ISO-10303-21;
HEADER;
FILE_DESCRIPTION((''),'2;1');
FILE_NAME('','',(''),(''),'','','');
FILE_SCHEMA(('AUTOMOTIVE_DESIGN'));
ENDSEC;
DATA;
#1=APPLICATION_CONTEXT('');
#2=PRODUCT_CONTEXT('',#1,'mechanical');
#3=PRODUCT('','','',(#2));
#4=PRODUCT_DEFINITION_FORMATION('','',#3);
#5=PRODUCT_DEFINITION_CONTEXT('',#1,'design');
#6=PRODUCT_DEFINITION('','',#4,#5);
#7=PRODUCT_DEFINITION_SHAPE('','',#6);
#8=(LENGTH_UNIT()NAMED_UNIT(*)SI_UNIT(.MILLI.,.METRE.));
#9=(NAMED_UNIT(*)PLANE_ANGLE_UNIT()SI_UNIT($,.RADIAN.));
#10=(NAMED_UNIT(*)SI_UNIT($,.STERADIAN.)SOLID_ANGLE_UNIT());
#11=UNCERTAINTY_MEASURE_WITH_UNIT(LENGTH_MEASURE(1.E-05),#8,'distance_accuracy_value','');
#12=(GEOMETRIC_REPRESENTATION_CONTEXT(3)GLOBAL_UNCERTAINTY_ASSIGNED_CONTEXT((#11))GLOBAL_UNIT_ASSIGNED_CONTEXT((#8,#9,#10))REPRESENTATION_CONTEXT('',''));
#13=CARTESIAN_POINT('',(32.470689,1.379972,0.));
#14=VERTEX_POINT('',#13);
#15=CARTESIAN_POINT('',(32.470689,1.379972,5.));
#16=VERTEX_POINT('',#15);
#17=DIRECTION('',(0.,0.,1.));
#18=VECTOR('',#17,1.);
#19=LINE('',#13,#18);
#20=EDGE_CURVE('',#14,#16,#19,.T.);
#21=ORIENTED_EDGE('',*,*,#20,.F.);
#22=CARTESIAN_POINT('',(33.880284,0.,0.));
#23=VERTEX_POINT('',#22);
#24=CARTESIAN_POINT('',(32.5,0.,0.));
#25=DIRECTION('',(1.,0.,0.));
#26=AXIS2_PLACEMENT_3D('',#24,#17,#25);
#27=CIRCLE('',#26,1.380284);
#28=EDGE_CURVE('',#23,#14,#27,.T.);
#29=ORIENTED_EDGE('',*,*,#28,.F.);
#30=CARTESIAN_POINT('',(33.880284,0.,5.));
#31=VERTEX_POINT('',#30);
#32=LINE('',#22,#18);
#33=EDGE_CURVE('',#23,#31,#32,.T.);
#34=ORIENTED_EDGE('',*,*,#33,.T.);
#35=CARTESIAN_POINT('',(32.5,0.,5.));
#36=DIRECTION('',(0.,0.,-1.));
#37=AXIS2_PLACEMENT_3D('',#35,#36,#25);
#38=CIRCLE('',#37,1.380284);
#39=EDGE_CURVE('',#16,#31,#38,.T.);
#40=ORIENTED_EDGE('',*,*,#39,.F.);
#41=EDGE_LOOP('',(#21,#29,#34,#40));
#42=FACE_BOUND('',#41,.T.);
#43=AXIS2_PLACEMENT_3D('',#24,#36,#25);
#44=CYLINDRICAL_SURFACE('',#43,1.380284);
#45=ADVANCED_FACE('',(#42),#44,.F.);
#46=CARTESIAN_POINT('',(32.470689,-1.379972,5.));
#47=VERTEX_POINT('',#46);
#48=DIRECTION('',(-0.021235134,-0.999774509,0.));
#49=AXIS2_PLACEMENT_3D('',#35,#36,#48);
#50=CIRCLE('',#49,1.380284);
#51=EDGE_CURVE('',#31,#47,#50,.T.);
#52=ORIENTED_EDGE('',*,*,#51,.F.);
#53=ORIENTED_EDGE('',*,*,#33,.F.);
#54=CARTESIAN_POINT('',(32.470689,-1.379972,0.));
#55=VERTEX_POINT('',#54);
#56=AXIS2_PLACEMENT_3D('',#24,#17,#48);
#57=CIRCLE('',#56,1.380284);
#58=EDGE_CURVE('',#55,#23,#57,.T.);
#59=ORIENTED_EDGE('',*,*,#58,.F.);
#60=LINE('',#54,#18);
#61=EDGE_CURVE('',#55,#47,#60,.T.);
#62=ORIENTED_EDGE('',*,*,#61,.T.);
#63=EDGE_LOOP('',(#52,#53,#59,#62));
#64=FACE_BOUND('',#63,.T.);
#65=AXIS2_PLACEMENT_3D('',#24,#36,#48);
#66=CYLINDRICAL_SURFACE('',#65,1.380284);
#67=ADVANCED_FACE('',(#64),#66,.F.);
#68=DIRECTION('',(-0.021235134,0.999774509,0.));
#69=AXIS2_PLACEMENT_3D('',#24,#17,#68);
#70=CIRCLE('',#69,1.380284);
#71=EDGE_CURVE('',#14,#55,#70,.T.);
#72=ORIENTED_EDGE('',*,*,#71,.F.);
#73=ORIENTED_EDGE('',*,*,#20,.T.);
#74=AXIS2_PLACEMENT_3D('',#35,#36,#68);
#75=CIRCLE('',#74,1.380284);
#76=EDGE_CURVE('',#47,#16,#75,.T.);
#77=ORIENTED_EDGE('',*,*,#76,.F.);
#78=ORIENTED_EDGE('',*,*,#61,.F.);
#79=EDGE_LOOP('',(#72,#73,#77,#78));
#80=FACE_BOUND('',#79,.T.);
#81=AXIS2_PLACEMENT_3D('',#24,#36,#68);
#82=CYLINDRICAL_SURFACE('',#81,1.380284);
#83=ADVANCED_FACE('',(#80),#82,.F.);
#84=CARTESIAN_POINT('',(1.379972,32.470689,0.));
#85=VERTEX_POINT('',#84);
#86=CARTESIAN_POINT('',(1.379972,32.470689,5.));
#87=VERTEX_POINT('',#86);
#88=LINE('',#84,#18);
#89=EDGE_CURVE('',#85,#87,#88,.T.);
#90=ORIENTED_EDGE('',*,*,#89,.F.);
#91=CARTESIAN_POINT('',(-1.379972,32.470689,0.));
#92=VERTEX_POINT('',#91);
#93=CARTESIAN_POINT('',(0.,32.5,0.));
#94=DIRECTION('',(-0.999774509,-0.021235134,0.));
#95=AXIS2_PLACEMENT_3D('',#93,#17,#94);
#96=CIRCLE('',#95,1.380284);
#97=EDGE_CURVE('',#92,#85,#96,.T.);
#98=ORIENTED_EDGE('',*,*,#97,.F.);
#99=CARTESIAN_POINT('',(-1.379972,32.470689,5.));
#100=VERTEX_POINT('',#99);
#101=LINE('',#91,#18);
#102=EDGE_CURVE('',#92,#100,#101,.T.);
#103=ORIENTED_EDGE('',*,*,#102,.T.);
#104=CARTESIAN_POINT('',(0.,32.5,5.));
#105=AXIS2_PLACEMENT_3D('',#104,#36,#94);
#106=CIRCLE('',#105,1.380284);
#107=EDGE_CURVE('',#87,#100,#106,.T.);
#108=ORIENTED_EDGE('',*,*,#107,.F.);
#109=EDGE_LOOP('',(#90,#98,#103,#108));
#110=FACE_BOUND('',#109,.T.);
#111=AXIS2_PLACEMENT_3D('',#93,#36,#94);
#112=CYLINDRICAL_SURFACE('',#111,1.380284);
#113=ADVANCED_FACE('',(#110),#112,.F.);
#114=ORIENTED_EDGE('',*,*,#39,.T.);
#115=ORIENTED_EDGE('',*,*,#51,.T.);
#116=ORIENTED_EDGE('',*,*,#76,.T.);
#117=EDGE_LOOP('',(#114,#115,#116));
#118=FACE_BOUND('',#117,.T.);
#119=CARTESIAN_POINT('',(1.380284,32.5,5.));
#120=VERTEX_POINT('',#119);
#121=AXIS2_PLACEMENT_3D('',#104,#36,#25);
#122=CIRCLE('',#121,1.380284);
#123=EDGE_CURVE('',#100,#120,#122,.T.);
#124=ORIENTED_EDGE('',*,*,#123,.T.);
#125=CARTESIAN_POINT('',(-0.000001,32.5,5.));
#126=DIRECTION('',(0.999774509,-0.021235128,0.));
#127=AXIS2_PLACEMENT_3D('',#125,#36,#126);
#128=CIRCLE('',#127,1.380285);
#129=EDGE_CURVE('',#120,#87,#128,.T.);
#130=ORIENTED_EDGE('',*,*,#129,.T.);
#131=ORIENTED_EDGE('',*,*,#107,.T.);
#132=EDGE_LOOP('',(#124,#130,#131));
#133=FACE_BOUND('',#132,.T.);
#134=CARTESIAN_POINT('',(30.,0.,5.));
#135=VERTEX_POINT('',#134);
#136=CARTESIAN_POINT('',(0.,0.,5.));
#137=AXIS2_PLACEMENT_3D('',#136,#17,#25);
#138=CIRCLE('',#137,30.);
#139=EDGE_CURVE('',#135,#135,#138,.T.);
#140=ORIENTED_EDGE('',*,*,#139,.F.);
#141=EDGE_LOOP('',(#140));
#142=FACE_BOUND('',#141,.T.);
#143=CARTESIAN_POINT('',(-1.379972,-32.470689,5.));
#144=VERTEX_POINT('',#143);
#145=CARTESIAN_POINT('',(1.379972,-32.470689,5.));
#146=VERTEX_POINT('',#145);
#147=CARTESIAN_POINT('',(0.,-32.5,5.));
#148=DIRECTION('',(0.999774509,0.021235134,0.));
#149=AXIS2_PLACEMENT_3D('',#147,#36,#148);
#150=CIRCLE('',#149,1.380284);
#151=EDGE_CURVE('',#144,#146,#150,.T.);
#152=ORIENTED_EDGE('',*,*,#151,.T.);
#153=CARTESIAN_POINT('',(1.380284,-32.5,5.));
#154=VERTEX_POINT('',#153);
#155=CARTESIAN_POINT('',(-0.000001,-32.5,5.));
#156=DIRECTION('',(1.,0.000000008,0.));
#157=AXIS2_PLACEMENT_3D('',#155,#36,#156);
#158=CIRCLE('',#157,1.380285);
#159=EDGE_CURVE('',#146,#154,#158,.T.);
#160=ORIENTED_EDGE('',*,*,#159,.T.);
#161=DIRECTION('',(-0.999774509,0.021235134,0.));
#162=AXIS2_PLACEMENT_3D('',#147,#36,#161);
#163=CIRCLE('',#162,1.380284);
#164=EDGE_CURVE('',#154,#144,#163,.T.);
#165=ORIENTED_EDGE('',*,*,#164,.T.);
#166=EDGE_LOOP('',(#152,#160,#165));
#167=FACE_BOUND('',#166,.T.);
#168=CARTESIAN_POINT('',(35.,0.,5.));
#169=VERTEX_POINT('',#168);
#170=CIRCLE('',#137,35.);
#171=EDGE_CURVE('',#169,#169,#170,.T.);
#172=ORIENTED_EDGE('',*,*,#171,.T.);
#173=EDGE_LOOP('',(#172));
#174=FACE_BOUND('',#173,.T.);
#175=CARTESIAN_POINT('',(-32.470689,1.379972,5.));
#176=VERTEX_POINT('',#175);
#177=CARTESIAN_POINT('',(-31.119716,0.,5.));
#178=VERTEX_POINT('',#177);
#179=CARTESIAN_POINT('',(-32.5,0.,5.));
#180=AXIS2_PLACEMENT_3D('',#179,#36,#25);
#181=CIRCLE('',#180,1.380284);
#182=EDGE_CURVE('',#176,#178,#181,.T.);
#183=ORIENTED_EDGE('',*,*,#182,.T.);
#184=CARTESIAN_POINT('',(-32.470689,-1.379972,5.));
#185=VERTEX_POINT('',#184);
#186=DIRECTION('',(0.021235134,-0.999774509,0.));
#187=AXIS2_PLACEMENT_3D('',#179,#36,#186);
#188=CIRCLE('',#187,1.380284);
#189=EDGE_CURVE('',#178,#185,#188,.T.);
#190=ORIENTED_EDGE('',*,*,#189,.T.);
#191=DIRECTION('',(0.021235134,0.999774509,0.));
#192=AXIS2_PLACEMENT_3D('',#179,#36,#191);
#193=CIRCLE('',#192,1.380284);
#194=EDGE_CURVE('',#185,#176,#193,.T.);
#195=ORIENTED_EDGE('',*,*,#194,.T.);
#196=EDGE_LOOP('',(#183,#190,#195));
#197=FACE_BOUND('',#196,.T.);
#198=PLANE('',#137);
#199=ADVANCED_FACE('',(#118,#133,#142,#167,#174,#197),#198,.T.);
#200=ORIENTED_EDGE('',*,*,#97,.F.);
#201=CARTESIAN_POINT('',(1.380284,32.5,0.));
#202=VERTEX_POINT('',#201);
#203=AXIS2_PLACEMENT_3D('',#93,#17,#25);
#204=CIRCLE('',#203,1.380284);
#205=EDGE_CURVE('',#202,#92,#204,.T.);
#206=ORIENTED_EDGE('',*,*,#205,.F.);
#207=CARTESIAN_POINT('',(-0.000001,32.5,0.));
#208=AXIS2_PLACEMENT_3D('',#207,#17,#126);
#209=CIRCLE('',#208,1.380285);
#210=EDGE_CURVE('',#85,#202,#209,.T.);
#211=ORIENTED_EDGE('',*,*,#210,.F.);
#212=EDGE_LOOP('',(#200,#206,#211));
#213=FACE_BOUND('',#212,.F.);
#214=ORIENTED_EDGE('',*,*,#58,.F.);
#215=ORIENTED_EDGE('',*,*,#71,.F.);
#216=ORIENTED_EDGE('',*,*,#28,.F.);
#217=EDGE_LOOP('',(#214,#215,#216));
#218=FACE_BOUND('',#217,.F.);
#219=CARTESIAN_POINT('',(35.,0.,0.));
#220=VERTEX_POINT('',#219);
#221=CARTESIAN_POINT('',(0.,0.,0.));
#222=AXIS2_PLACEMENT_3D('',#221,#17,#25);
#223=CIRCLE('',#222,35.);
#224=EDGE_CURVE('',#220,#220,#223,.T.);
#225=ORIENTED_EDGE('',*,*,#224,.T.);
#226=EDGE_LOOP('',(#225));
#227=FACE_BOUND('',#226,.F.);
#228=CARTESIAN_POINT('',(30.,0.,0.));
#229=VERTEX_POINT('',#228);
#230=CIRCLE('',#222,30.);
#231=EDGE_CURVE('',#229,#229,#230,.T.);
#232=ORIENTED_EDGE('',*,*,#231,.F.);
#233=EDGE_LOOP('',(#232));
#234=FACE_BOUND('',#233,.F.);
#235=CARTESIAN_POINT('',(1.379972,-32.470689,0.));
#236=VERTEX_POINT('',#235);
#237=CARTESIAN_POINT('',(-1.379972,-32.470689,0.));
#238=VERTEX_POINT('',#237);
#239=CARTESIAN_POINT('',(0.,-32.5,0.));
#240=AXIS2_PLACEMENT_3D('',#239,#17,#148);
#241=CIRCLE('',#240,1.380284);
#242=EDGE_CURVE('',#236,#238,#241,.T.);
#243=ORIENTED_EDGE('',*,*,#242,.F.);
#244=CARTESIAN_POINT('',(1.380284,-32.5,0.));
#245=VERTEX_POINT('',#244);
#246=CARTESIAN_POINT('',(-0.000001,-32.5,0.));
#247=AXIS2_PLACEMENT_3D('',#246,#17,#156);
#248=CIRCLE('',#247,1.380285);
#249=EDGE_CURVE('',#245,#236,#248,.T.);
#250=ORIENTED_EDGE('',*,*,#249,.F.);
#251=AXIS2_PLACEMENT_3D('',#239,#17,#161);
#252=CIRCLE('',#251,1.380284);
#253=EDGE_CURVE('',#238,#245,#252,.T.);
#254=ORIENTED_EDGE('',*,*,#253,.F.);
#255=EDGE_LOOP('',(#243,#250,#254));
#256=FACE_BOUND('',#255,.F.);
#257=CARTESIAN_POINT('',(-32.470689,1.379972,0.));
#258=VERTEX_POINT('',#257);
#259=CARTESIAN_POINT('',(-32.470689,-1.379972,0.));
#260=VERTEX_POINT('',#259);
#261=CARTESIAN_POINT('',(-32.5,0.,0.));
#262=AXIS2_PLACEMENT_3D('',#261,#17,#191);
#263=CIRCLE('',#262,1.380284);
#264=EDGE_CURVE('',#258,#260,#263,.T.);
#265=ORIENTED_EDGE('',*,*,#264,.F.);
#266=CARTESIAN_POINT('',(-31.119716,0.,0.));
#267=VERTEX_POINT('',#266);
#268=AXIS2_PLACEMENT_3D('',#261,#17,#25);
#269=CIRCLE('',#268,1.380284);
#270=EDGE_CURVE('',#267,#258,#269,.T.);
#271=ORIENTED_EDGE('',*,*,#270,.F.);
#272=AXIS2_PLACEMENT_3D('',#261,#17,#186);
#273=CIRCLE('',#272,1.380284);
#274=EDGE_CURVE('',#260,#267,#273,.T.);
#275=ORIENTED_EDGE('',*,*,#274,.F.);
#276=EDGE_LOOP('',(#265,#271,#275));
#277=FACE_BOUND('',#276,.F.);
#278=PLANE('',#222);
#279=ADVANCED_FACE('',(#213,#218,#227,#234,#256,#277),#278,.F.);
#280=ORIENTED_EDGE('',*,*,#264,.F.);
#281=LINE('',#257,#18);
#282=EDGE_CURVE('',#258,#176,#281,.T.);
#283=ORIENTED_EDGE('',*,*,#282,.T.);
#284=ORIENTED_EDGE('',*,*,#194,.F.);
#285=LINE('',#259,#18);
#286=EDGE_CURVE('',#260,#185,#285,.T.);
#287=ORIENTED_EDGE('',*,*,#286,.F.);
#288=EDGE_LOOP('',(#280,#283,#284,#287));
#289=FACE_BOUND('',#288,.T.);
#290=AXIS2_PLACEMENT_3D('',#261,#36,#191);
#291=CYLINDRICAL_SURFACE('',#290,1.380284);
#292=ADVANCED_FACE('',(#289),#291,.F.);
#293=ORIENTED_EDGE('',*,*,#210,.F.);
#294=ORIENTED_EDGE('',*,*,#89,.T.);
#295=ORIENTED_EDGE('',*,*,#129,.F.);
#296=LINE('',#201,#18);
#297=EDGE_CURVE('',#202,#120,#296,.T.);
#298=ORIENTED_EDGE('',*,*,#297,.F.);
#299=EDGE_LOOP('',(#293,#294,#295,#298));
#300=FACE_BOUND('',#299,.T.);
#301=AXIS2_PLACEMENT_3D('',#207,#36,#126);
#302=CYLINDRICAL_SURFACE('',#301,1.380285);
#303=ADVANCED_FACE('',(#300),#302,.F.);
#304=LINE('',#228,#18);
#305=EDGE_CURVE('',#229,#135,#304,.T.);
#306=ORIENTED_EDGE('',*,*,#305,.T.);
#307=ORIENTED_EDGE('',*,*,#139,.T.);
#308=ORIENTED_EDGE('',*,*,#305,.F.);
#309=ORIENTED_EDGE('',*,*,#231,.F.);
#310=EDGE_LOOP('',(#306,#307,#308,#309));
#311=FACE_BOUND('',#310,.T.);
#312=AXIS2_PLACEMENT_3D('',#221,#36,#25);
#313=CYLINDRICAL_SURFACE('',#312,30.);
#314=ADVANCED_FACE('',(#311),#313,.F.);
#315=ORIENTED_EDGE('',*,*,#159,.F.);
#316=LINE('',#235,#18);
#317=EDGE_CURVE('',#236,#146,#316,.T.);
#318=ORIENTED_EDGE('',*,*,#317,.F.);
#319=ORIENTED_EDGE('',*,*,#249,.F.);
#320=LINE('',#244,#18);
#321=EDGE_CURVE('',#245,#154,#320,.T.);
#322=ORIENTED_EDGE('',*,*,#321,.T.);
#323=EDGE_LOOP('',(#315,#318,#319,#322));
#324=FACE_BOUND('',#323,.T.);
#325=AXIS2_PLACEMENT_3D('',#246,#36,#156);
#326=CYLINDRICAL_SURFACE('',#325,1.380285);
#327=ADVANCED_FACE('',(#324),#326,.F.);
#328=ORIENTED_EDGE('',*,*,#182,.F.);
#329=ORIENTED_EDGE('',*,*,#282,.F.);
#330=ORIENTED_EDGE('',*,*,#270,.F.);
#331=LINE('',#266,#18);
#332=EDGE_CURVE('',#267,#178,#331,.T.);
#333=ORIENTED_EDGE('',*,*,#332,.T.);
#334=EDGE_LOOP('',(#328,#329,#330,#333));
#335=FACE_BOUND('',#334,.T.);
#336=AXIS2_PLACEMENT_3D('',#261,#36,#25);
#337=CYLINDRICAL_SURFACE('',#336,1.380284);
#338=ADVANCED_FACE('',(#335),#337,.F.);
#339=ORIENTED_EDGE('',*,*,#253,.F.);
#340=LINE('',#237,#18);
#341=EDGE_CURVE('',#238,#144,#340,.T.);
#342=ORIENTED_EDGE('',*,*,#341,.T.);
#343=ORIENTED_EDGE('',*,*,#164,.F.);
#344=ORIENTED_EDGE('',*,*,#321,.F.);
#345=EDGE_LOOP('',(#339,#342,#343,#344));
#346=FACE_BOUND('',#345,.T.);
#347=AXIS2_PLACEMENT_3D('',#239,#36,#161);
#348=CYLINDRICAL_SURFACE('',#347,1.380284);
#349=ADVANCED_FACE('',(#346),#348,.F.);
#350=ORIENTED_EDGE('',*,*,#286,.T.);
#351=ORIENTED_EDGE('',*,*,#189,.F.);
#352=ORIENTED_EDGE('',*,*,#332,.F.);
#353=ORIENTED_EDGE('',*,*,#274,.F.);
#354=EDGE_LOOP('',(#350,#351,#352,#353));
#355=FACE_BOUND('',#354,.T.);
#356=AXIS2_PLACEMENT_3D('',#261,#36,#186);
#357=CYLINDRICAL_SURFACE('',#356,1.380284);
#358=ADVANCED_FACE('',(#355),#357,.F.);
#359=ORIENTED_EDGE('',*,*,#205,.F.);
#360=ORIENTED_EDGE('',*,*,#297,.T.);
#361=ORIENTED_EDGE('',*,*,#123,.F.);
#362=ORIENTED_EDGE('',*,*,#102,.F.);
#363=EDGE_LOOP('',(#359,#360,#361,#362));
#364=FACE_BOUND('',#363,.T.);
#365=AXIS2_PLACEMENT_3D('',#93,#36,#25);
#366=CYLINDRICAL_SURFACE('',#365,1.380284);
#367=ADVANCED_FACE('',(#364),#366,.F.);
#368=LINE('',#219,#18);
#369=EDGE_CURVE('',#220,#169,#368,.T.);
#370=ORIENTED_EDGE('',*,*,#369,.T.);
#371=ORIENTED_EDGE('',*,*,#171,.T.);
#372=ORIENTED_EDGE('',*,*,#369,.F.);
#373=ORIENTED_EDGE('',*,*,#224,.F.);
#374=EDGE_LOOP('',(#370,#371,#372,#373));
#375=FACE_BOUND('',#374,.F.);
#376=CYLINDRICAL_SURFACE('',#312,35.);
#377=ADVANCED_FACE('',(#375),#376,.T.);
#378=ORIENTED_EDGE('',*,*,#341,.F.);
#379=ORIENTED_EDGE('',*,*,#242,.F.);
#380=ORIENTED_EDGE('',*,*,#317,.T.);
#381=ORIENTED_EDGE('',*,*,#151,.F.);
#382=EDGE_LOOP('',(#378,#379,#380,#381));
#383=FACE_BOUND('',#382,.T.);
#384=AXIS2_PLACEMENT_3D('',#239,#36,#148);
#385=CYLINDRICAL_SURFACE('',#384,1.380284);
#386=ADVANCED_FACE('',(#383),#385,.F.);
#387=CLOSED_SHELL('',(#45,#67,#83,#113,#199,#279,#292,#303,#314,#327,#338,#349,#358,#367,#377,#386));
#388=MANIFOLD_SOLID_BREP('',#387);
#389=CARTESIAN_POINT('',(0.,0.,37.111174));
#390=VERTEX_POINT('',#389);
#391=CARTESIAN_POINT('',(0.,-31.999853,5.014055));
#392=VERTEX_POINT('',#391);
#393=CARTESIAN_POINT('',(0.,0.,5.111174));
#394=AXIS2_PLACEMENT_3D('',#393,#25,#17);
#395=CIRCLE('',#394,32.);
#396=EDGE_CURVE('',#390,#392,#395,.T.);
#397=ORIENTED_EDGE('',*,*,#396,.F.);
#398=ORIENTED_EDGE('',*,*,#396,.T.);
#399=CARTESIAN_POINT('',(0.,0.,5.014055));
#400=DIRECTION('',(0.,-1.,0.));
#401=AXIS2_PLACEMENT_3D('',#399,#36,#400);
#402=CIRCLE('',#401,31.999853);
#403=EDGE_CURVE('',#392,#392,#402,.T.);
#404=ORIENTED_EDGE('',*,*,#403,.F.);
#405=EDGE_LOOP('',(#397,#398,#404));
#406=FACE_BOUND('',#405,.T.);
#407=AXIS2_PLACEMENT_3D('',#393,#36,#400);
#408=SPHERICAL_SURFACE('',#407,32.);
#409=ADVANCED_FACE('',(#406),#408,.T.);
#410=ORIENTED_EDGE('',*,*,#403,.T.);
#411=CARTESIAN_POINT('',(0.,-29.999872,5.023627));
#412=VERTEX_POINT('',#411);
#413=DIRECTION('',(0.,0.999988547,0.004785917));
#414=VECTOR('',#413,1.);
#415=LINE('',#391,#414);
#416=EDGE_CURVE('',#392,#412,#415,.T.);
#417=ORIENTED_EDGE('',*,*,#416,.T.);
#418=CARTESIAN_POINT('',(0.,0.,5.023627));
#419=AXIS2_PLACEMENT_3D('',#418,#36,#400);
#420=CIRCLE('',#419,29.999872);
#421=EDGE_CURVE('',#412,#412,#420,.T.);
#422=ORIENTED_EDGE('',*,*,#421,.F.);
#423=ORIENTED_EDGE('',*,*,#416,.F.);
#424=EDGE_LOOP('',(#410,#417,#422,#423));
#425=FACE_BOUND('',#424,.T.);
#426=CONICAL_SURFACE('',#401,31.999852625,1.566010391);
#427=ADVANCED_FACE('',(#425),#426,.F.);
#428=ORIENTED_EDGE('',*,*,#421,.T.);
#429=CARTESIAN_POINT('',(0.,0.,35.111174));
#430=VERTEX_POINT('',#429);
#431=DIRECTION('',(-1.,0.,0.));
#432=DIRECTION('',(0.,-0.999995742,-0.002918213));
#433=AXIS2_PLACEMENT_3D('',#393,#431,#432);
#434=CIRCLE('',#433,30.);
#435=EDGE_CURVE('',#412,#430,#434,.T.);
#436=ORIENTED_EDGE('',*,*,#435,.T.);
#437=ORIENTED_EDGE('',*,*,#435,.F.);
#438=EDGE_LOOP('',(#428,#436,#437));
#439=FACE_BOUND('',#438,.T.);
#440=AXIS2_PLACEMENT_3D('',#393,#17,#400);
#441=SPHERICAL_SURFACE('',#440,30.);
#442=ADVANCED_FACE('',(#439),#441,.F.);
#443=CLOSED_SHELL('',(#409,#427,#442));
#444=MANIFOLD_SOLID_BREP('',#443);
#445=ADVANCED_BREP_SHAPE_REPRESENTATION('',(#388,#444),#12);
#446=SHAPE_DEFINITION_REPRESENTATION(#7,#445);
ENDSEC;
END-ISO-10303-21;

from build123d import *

# Parameters (mm, degrees)
F0_R     = 35
F0_R_2   = 30
F1_DEPTH = 5
F3_DEPTH = 25


with BuildPart() as f1:
    # F0 (on Top) → F1 (new body)
    with BuildSketch(Plane.XY):
        Circle(F0_R)
        Circle(F0_R_2, mode=Mode.SUBTRACT)
    extrude(amount=F1_DEPTH)

    # F2 (on Top) → F3 (cut)
    with BuildSketch(Plane.XY):
        with BuildLine():
            ThreePointArc((-1.3799724468, 32.4706894914), (0, 32.5), (1.3799724468, 32.4706894914))
            ThreePointArc((1.3799724468, 32.4706894914), (1.3802058756, 32.4853439195), (1.3802836882, 32.5))
            ThreePointArc((1.3802836882, 32.5), (-0.0146560805, 33.8802058756), (-1.3799724468, 32.4706894914))
        make_face()
        with BuildLine():
            ThreePointArc((-1.3799724468, 32.4706894914), (0, 31.1197163118), (1.3799724468, 32.4706894914))
            ThreePointArc((1.3799724468, 32.4706894914), (0, 32.5), (-1.3799724468, 32.4706894914))
        make_face()
        with BuildLine():
            ThreePointArc((32.4706894914, 1.3799724468), (32.4926715466, 0.6901418441), (32.5, 0))
            ThreePointArc((32.5, 0), (32.4926715466, -0.6901418441), (32.4706894914, -1.3799724468))
            ThreePointArc((32.4706894914, -1.3799724468), (33.4655895202, -0.986316348), (33.8802836882, 0))
            ThreePointArc((33.8802836882, 0), (33.4655895202, 0.986316348), (32.4706894914, 1.3799724468))
        make_face()
        with BuildLine():
            ThreePointArc((32.4706894914, -1.3799724468), (32.4926715466, -0.6901418441), (32.5, 0))
            ThreePointArc((32.5, 0), (32.4926715466, 0.6901418441), (32.4706894914, 1.3799724468))
            ThreePointArc((32.4706894914, 1.3799724468), (31.1197163118, 0), (32.4706894914, -1.3799724468))
        make_face()
        with BuildLine():
            ThreePointArc((-32.4706894914, -1.3799724468), (-32.5, 0), (-32.4706894914, 1.3799724468))
            ThreePointArc((-32.4706894914, 1.3799724468), (-33.8802836882, 0), (-32.4706894914, -1.3799724468))
        make_face()
        with BuildLine():
            ThreePointArc((-31.1197163118, 0), (-31.513683652, 0.9655895202), (-32.4706894914, 1.3799724468))
            ThreePointArc((-32.4706894914, 1.3799724468), (-32.5, 0), (-32.4706894914, -1.3799724468))
            ThreePointArc((-32.4706894914, -1.3799724468), (-31.513683652, -0.9655895202), (-31.1197163118, 0))
        make_face()
        with BuildLine():
            ThreePointArc((1.3802836882, -32.5), (1.3802058756, -32.4853439195), (1.3799724468, -32.4706894914))
            ThreePointArc((1.3799724468, -32.4706894914), (0, -32.5), (-1.3799724468, -32.4706894914))
            ThreePointArc((-1.3799724468, -32.4706894914), (-0.0146560805, -33.8802058756), (1.3802836882, -32.5))
        make_face()
        with BuildLine():
            ThreePointArc((-1.3799724468, -32.4706894914), (0, -32.5), (1.3799724468, -32.4706894914))
            ThreePointArc((1.3799724468, -32.4706894914), (0, -31.1197163118), (-1.3799724468, -32.4706894914))
        make_face()
    extrude(amount=F3_DEPTH, mode=Mode.SUBTRACT)


with BuildPart() as f5:
    # F4 (on Right) → F5 (revolve)
    with BuildSketch(Plane.YZ):
        with BuildLine():
            ThreePointArc((-29.9998722602, 5.0236273346), (-21.2441332108, 26.2934022241), (0, 35.1111737266))
            Line((0, 35.1111737266), (0, 37.1111737266))
            ThreePointArc((0, 37.1111737266), (-22.661727469, 27.7042281488), (-31.9998526254, 5.0140554843))
            Line((-31.9998526254, 5.0140554843), (-29.9998722602, 5.0236273346))
        make_face()
    revolve(axis=Axis((0, 0, 36.1111737266), (0, 0, -1)))


solid = Compound([f1.part, f5.part])
